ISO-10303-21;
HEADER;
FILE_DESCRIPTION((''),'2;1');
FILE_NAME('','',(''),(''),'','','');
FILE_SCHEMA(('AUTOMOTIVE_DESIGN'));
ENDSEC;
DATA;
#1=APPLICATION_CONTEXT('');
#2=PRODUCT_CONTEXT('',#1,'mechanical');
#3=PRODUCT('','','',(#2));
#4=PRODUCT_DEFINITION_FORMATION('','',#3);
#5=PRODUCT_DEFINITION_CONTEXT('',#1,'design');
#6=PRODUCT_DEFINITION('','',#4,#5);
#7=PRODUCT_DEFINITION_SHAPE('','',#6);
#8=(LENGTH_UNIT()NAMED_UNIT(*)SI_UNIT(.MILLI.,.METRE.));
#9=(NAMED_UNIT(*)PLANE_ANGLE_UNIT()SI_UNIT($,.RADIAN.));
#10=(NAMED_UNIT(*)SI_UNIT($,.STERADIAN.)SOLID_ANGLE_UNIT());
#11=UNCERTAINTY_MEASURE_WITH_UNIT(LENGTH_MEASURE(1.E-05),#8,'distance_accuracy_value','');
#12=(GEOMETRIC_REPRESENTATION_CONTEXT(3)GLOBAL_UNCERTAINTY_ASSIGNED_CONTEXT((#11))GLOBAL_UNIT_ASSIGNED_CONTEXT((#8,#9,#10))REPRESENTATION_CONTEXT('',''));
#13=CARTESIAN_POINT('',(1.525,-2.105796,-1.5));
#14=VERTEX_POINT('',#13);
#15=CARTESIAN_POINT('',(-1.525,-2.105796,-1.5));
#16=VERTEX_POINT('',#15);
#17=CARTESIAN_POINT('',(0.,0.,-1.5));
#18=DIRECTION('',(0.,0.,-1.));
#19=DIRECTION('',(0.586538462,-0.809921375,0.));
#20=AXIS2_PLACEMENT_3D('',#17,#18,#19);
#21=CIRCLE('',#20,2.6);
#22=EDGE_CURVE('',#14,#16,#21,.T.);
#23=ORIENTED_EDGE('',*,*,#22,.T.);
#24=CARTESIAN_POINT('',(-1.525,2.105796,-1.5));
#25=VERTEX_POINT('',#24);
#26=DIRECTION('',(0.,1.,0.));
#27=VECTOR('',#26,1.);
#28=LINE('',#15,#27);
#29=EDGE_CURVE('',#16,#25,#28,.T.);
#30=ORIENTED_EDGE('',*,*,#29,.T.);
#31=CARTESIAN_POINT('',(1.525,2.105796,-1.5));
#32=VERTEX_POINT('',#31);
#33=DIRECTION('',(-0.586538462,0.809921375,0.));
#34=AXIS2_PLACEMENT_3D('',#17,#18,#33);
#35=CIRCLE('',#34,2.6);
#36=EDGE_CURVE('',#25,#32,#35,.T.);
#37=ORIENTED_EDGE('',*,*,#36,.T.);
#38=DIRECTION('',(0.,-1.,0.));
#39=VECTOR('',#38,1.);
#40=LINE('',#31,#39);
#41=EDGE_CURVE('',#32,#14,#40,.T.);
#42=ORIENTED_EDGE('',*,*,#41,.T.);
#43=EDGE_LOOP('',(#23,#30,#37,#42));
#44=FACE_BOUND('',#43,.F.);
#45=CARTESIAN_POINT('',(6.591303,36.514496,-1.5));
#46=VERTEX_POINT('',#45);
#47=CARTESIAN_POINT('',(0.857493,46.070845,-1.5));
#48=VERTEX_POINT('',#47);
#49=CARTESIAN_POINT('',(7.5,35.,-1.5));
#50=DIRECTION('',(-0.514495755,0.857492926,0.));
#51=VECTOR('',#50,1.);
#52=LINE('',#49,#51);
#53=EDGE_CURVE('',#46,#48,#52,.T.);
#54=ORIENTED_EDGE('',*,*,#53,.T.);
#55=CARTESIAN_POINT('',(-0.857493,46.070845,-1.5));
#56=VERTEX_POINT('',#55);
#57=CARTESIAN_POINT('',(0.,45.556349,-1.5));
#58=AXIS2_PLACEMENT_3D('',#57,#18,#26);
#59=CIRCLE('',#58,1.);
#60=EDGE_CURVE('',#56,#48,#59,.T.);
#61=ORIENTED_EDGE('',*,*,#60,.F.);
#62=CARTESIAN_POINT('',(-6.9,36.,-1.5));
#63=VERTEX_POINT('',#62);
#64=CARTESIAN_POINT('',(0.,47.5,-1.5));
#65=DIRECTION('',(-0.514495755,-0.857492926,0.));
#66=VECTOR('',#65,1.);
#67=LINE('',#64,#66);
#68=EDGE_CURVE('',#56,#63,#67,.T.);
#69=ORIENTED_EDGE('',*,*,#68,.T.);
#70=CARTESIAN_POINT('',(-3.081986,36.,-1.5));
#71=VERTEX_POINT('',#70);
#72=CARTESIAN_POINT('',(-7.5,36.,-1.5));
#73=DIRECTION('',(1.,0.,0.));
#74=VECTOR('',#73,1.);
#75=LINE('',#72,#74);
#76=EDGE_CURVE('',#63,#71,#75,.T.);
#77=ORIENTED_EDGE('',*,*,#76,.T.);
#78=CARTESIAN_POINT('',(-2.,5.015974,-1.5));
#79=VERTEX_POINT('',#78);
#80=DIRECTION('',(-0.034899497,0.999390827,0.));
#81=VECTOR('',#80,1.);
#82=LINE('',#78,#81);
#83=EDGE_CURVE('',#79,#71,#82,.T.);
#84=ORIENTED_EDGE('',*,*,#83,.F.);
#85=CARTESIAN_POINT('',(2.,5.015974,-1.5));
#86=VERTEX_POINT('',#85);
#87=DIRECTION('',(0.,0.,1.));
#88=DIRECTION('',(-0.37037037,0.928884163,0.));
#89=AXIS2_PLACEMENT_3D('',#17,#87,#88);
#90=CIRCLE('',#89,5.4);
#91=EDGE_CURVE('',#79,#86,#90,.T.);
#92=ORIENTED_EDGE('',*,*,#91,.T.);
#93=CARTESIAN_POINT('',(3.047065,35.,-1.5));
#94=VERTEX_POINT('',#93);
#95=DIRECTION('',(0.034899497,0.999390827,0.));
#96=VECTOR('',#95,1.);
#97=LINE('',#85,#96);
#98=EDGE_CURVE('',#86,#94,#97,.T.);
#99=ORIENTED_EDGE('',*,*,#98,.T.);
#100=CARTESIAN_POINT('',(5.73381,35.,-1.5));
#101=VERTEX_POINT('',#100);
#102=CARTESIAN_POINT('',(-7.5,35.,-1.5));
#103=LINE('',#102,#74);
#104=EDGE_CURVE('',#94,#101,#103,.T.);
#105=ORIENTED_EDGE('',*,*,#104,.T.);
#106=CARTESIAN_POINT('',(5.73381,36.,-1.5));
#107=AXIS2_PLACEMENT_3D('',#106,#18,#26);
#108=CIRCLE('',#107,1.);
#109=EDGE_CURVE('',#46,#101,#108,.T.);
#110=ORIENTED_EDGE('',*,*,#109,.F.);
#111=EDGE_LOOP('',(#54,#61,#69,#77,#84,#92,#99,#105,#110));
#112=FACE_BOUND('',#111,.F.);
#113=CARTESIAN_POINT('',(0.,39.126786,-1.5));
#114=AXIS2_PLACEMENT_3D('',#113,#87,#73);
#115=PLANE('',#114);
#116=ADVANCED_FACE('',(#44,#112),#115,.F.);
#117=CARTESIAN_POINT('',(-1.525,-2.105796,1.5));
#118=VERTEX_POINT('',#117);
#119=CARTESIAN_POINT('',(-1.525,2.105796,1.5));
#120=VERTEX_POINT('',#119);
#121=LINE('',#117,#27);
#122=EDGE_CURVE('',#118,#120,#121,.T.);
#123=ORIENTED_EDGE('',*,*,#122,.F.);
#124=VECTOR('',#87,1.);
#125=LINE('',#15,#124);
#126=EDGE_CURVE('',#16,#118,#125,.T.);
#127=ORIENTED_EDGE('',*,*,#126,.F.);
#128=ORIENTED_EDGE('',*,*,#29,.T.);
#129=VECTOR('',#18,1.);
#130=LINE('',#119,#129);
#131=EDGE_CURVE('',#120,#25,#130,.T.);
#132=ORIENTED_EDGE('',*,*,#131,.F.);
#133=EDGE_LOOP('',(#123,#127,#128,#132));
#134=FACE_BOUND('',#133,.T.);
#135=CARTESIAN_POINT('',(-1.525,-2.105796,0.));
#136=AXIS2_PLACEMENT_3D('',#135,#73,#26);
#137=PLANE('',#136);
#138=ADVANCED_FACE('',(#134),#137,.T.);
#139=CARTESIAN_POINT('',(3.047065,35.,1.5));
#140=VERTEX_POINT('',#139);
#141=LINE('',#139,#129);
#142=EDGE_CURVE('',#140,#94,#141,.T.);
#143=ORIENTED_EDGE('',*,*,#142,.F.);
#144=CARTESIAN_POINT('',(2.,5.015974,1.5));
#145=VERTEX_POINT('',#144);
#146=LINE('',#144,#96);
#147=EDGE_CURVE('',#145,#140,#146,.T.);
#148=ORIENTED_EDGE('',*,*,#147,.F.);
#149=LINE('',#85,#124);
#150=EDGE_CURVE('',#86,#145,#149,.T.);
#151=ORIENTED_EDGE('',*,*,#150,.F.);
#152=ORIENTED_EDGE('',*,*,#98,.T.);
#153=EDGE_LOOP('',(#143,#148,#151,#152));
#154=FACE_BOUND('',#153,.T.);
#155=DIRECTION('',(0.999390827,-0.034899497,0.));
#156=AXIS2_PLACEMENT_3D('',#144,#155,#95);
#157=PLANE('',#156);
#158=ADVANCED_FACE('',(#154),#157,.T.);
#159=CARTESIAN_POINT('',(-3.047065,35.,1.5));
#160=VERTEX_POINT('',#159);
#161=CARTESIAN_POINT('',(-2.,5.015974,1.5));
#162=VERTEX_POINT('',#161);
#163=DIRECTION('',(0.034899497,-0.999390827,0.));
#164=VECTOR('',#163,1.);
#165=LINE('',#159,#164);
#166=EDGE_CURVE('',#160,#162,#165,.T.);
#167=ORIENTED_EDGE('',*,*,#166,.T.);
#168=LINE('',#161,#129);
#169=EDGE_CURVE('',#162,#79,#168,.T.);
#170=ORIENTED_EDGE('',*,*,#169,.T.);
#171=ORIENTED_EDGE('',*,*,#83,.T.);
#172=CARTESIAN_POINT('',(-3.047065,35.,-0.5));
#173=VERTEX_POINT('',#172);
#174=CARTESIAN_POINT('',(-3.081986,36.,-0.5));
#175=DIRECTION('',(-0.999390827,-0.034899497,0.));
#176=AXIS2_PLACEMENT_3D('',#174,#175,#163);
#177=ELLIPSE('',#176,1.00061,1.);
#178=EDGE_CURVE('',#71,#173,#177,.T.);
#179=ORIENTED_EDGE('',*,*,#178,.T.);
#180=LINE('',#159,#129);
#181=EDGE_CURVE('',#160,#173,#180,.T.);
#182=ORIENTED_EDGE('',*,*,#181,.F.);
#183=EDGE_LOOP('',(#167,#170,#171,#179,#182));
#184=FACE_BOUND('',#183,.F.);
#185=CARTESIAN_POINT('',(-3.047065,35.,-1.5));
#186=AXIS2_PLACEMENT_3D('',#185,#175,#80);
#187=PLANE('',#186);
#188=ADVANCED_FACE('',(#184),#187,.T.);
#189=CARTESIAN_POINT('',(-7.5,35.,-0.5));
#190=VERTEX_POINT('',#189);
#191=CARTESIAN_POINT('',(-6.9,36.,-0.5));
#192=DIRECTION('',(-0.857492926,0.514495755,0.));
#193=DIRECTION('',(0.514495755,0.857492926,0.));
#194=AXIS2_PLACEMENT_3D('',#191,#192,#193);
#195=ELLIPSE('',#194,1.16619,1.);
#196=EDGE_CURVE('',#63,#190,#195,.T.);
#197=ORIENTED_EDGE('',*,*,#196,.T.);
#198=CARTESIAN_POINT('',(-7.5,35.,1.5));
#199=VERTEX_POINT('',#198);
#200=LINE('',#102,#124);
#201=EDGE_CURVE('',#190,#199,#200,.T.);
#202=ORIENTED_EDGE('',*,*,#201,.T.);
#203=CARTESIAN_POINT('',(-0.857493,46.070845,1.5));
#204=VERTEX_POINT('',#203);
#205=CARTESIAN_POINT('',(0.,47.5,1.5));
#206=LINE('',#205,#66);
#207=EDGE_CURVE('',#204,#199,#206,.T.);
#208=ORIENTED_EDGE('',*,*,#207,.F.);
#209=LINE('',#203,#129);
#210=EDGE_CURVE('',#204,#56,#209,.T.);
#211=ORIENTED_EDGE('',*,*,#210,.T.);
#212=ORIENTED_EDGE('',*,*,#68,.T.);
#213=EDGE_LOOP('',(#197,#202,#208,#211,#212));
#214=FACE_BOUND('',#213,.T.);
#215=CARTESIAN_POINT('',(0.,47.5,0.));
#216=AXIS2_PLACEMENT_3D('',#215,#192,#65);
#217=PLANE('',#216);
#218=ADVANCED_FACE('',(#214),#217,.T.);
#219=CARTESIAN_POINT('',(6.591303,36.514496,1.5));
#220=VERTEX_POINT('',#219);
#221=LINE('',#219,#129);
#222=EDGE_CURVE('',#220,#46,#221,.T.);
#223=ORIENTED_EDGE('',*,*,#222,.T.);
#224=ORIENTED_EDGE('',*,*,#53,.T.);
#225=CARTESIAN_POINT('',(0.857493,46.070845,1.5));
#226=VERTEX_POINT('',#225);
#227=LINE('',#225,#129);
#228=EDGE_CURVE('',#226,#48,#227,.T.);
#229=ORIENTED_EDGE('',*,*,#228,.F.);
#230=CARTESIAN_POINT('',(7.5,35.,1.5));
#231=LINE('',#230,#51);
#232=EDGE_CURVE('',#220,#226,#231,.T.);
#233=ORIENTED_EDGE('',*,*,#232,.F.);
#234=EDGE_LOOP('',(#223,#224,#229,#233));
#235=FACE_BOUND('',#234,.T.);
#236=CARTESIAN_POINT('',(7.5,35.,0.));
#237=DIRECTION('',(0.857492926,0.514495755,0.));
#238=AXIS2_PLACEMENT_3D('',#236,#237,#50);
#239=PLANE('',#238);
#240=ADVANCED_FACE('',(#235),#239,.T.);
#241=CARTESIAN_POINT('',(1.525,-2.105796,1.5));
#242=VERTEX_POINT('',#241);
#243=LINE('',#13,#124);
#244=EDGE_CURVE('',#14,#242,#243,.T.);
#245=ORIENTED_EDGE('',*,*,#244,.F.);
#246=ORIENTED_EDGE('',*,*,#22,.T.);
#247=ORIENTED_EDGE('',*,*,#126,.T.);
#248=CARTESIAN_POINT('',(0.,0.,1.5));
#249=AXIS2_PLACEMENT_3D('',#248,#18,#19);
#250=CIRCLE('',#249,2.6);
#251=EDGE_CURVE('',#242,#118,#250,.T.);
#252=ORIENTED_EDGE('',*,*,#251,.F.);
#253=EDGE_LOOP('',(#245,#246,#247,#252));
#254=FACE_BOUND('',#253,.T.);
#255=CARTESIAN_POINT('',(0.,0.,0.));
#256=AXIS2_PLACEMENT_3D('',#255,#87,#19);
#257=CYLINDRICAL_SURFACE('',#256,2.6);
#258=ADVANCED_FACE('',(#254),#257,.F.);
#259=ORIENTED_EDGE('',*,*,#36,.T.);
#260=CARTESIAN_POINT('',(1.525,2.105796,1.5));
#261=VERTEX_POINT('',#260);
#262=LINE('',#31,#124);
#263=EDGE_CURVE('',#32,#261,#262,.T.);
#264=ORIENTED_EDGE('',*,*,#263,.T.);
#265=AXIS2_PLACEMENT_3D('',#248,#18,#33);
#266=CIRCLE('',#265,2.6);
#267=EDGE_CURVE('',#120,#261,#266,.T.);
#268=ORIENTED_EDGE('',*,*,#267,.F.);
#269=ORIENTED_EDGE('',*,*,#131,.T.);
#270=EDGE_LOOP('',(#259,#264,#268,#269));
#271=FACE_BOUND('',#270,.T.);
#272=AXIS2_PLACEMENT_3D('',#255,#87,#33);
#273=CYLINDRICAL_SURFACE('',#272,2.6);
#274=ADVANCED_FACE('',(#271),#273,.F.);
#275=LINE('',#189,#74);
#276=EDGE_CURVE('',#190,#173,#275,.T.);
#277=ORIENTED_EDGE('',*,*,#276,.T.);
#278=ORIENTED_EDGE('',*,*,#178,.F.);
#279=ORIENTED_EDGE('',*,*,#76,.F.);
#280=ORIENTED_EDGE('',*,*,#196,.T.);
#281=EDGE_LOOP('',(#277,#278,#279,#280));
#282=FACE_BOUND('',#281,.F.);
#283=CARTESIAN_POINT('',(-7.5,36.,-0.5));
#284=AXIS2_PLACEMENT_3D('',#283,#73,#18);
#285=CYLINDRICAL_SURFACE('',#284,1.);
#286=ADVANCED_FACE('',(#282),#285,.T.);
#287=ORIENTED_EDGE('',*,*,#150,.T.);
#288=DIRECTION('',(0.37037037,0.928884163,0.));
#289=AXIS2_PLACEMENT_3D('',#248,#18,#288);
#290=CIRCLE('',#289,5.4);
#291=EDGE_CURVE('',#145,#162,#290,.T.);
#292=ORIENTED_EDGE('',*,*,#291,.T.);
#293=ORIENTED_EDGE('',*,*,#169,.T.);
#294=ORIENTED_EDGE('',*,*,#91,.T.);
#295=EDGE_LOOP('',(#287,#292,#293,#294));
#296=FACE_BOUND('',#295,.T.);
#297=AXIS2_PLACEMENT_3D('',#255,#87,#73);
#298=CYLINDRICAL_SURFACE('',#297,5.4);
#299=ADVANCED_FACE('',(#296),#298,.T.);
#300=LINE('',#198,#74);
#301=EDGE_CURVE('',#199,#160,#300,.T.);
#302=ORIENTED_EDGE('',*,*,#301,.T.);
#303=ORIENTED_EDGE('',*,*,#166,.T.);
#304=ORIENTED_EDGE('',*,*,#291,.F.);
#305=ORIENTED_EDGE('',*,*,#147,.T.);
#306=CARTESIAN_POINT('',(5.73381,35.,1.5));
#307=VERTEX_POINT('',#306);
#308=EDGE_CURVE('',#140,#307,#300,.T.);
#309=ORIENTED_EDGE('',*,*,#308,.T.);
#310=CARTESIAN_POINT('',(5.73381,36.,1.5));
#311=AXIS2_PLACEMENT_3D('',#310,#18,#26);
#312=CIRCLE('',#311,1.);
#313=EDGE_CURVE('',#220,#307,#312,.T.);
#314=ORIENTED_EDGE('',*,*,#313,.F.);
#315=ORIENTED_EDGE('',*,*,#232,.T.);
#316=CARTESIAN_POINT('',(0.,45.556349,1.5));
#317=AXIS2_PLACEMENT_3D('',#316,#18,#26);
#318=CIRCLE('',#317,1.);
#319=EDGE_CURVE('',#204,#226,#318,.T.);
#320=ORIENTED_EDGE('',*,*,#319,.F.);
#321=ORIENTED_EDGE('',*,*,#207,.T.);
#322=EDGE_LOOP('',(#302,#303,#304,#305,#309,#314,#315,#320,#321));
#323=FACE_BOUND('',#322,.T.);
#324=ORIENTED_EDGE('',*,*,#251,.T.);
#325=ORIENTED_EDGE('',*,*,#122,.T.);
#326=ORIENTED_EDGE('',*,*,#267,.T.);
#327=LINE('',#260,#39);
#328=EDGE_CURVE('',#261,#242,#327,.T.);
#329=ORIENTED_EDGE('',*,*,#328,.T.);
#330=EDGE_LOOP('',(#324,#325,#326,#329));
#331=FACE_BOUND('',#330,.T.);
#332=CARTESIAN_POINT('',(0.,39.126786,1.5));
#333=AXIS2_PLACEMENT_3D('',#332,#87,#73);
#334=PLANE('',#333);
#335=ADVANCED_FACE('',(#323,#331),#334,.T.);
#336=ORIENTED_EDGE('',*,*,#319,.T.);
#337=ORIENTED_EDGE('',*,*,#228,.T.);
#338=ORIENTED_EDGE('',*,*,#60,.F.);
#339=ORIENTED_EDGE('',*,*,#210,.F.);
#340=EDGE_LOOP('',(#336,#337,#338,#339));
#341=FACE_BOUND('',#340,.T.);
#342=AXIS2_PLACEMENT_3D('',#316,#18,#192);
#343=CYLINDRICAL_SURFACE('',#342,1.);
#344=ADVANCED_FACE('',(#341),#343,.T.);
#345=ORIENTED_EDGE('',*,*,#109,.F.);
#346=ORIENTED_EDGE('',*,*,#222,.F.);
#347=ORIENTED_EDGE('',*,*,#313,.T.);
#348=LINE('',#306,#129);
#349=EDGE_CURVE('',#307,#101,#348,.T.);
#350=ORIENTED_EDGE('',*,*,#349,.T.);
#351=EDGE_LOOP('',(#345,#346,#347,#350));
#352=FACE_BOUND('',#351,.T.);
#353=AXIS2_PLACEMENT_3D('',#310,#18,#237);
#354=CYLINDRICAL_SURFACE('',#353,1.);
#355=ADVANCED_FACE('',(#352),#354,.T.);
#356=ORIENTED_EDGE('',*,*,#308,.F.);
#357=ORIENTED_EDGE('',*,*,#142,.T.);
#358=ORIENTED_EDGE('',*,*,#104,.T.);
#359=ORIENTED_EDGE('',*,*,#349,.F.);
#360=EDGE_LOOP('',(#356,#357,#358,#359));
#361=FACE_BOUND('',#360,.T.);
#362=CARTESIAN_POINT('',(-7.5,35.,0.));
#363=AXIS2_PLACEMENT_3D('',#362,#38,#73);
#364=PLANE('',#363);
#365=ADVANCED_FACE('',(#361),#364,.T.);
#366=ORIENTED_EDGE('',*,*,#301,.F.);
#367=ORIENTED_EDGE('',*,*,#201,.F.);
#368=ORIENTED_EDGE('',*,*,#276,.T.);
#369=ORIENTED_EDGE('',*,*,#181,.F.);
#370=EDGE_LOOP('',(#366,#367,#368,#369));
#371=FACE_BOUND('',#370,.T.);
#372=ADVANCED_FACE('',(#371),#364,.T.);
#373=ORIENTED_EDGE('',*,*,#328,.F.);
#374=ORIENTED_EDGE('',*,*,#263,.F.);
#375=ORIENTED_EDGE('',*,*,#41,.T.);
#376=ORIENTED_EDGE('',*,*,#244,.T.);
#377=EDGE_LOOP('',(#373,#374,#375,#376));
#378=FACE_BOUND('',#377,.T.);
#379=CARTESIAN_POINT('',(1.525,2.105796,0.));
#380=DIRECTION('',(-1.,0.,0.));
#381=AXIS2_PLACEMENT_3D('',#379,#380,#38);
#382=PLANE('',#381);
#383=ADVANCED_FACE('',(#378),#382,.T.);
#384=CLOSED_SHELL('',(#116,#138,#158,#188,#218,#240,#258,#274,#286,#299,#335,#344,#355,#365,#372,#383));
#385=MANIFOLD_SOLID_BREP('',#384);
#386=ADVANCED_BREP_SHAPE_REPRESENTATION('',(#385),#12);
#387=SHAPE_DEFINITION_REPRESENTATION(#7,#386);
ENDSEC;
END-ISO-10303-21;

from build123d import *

# Parameters (mm, degrees)
F0_R     = 5.4
F1_DEPTH = 1.5
F3_DEPTH = 1.5
F6_DEPTH = 1.5
F7_R     = 1


with BuildPart() as f1:
    # F0 (on Top) → F1 (new body, symmetric)
    with BuildSketch(Plane.XY):
        Circle(F0_R)
        with BuildLine():
            ThreePointArc((1.525, 2.1057955741), (2.3157072354, 1.1821590418), (2.6, 0))
            ThreePointArc((2.6, 0), (2.3157072354, -1.1821590418), (1.525, -2.1057955741))
            ThreePointArc((1.525, -2.1057955741), (0, -2.6), (-1.525, -2.1057955741))
            ThreePointArc((-1.525, -2.1057955741), (-2.6, 0), (-1.525, 2.1057955741))
            ThreePointArc((-1.525, 2.1057955741), (0, 2.6), (1.525, 2.1057955741))
        make_face(mode=Mode.SUBTRACT)
        with BuildLine():
            Line((-1.525, -2.1057955741), (-1.525, 2.1057955741))
            ThreePointArc((-1.525, 2.1057955741), (-2.6, 0), (-1.525, -2.1057955741))
        make_face()
        with BuildLine():
            ThreePointArc((1.525, -2.1057955741), (2.3157072354, -1.1821590418), (2.6, 0))
            ThreePointArc((2.6, 0), (2.3157072354, 1.1821590418), (1.525, 2.1057955741))
            Line((1.525, 2.1057955741), (1.525, -2.1057955741))
        make_face()
    extrude(amount=F1_DEPTH, both=True)

    # F2 (on face) → F3 (join, through all)
    with BuildSketch(Plane.XY.offset(1.5)):
        with BuildLine():
            Line((3.0470652436, 35), (0, 35))
            Line((0, 35), (-3.0470652436, 35))
            Line((-3.0470652436, 35), (-2, 5.0159744816))
            ThreePointArc((-2, 5.0159744816), (0, 5.4), (2, 5.0159744816))
            Line((2, 5.0159744816), (3.0470652436, 35))
        make_face()
    extrude(amount=-F3_DEPTH)

    # F4: F1 across face


with BuildPart() as f1_1:
    add(f1.part)
    add(f1.part.mirror(Plane(origin=(0, 21.1536915462, 0), x_dir=(1, 0, 0), z_dir=(0, 0, -1))))

    # F5 (on Top) → F6 (join, symmetric)
    with BuildSketch(Plane.XY):
        Polygon((0, 47.5), (-7.5, 35), (7.5, 35), align=None)
    extrude(amount=F6_DEPTH, both=True)

    # F7 (call 1 of 3: OpenCascade refuses the feature's edges together)
    f7_edges = [f1_1.edges().sort_by_distance(p)[0] for p in [
        (0, 47.5, 0),
    ]]
    fillet(f7_edges, radius=F7_R)

    # F7#2 (call 2 of 3)
    f7_2_edges = [f1_1.edges().sort_by_distance(p)[0] for p in [
        (7.5, 35, 0),
    ]]
    fillet(f7_2_edges, radius=F7_R)

    # F7#3 (call 3 of 3)
    f7_3_edges = [f1_1.edges().sort_by_distance(p)[0] for p in [
        (-5.273533, 35, -1.5),
    ]]
    fillet(f7_3_edges, radius=F7_R)


solid = f1_1.part
